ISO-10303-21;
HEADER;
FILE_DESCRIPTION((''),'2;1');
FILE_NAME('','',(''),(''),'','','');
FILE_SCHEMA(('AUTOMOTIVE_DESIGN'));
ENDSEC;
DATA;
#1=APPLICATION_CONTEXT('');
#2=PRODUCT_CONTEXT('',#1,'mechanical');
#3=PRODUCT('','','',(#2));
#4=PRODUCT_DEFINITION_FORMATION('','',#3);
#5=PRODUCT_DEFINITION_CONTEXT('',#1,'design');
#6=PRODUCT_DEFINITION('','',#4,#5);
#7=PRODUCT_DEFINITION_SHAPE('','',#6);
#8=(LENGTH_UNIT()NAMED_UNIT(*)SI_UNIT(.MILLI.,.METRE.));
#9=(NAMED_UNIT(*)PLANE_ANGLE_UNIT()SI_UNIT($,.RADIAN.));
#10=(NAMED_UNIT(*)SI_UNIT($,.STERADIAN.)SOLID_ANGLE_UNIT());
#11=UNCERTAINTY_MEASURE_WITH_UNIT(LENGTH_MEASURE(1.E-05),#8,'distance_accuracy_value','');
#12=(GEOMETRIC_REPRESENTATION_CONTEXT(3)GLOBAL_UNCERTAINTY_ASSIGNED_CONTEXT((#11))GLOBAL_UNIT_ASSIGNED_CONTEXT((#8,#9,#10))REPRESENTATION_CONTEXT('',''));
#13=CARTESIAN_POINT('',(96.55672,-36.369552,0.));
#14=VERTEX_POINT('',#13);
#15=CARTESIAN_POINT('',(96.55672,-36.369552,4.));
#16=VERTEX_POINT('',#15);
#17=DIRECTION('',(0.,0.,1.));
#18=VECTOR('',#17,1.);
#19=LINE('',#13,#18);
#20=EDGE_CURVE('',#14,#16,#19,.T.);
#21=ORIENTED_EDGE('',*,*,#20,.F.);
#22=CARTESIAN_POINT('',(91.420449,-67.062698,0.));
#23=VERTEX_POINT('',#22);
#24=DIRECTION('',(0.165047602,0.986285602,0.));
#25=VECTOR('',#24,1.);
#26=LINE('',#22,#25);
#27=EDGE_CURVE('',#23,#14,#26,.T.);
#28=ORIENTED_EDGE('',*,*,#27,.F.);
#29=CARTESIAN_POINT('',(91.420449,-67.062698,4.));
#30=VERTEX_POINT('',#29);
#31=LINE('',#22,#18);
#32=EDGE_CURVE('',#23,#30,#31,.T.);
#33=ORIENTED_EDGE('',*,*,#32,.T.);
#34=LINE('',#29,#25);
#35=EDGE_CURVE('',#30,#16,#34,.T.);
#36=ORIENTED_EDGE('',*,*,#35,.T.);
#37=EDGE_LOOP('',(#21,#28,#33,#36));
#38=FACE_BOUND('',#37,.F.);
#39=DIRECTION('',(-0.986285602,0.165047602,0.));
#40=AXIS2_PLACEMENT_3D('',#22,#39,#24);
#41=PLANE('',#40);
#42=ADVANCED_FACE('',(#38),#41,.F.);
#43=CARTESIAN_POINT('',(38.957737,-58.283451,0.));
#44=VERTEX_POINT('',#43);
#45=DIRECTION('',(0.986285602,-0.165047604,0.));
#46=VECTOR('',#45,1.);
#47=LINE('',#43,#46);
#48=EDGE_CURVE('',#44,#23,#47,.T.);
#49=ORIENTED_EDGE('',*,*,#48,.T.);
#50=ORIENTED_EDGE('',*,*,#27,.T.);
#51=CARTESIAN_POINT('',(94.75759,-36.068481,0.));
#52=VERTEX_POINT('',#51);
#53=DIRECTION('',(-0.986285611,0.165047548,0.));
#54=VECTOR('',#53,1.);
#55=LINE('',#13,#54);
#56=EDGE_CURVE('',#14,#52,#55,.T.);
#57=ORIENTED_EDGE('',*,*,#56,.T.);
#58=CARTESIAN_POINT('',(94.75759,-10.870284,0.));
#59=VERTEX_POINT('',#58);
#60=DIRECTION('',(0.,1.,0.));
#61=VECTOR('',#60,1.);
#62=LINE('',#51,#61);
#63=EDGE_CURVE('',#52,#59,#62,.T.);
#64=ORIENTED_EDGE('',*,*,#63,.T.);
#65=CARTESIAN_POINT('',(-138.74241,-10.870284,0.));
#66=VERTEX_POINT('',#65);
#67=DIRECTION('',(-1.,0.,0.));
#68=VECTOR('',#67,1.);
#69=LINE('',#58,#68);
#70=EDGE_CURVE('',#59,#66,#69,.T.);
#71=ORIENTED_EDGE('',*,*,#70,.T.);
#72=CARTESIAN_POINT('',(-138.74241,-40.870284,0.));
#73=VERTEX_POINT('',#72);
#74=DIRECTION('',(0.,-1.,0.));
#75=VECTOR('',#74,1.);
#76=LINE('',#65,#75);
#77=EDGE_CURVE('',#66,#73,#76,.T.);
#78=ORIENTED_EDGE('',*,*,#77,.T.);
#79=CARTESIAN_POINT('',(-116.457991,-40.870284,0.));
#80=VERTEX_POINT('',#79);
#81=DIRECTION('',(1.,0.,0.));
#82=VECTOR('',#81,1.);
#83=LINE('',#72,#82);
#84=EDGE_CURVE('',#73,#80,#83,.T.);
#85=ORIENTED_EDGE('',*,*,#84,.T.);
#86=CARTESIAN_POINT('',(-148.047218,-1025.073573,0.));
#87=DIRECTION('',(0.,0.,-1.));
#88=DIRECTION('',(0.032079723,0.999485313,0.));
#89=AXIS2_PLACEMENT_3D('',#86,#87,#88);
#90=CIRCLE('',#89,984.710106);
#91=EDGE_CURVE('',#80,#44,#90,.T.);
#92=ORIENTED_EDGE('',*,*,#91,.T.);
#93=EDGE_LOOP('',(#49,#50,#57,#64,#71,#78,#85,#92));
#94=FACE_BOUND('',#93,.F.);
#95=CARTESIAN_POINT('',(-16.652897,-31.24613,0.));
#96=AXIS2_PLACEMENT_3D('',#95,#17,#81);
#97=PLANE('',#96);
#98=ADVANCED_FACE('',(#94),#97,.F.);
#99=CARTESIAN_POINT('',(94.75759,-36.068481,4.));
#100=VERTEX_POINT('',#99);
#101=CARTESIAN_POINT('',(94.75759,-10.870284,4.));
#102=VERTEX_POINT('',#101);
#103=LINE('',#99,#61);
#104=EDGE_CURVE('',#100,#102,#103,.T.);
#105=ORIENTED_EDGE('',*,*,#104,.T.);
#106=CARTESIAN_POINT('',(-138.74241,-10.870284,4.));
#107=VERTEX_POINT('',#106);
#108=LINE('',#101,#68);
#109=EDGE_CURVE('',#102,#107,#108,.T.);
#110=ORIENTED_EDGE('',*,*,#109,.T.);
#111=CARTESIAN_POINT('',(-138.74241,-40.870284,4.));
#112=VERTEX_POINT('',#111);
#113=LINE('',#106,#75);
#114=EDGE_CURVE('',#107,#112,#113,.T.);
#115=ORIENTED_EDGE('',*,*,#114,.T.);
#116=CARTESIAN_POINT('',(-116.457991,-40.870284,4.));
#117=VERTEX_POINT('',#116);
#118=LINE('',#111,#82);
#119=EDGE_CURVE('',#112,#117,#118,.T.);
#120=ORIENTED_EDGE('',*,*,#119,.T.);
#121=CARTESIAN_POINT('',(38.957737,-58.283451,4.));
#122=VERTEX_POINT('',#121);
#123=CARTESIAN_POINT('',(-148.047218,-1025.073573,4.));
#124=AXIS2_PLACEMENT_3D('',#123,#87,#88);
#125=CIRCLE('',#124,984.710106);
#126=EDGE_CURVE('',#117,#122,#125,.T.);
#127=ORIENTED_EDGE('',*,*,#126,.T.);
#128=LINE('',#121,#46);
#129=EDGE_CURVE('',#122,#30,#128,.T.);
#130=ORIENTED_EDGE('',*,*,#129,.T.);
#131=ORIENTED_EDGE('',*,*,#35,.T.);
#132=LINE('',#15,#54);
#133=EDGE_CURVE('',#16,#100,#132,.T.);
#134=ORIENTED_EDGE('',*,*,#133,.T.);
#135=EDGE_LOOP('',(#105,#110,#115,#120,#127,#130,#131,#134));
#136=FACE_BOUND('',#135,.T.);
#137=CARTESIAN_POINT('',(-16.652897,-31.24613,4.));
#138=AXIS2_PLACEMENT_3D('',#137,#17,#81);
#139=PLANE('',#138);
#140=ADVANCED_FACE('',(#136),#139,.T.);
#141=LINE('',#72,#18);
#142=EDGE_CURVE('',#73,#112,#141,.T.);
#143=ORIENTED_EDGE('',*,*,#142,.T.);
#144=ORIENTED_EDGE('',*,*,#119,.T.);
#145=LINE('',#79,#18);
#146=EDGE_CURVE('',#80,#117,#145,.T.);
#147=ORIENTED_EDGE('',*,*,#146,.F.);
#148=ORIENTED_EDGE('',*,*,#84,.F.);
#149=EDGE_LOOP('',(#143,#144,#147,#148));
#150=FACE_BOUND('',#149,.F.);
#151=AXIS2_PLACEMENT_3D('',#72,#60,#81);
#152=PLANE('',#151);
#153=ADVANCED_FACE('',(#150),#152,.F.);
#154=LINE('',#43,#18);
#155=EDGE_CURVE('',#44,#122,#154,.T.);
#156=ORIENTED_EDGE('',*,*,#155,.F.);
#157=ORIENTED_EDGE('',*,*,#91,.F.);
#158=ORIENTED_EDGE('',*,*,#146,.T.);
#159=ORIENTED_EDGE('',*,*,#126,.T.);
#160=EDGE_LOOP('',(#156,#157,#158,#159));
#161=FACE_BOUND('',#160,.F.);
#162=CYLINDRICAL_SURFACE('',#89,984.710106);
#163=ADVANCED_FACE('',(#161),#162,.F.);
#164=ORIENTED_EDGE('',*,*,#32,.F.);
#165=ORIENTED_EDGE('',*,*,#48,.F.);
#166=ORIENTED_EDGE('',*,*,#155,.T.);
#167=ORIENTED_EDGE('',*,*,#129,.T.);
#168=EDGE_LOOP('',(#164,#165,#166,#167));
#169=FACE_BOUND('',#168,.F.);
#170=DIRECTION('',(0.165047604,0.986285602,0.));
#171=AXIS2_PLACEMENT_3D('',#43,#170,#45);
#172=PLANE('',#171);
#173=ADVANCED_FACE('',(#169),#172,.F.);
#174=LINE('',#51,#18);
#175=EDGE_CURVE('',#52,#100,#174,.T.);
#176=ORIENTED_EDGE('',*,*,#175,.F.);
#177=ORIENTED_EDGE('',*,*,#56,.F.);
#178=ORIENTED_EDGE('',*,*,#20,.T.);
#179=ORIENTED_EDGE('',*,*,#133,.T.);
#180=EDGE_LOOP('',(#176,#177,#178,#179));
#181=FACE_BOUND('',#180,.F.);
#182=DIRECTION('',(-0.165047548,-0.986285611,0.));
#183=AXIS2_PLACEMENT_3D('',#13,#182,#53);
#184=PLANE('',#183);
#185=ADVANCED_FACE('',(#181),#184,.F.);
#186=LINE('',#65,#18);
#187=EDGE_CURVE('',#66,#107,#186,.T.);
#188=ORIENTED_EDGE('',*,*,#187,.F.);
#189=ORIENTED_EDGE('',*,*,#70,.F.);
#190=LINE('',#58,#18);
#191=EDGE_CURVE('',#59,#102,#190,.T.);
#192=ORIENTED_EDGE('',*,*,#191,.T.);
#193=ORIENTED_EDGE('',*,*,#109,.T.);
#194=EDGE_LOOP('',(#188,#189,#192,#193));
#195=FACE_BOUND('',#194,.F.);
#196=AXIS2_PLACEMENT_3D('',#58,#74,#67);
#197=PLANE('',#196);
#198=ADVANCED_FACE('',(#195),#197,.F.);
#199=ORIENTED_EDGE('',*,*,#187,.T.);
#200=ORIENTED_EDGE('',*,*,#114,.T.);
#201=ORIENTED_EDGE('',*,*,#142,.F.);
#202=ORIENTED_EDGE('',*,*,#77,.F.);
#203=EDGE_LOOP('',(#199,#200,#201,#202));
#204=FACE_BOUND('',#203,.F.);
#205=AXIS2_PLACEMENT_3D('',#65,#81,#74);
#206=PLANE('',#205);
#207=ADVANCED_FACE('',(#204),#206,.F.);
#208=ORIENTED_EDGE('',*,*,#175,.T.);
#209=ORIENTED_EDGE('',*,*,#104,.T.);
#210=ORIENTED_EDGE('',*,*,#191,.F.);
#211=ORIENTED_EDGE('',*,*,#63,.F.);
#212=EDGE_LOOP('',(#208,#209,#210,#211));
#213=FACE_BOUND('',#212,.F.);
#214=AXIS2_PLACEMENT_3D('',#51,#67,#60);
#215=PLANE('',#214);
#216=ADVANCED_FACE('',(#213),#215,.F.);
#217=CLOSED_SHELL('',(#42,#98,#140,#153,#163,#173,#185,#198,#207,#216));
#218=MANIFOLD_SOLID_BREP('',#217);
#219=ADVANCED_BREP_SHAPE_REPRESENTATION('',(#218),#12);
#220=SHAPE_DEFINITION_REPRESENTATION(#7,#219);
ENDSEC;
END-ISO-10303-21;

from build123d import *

# Parameters (mm, degrees)
F1_DEPTH = 4


with BuildPart() as f1:
    # F0 (on Top) → F1 (new body)
    with BuildSketch(Plane.XY):
        with BuildLine():
            Line((94.75759, -10.870284), (-138.74241, -10.870284))
            Line((-138.74241, -10.870284), (-138.74241, -40.870284))
            Line((-138.74241, -40.870284), (-116.457991, -40.870284))
            ThreePointArc((-116.457991, -40.870284), (-38.403893, -46.486666), (38.957737, -58.283451))
            Line((38.957737, -58.283451), (91.420449, -67.062698))
            Line((91.420449, -67.062698), (96.55672, -36.369552))
            Line((96.55672, -36.369552), (94.75759, -36.068481))
            Line((94.75759, -36.068481), (94.75759, -10.870284))
        make_face()
    extrude(amount=F1_DEPTH)


solid = f1.part
